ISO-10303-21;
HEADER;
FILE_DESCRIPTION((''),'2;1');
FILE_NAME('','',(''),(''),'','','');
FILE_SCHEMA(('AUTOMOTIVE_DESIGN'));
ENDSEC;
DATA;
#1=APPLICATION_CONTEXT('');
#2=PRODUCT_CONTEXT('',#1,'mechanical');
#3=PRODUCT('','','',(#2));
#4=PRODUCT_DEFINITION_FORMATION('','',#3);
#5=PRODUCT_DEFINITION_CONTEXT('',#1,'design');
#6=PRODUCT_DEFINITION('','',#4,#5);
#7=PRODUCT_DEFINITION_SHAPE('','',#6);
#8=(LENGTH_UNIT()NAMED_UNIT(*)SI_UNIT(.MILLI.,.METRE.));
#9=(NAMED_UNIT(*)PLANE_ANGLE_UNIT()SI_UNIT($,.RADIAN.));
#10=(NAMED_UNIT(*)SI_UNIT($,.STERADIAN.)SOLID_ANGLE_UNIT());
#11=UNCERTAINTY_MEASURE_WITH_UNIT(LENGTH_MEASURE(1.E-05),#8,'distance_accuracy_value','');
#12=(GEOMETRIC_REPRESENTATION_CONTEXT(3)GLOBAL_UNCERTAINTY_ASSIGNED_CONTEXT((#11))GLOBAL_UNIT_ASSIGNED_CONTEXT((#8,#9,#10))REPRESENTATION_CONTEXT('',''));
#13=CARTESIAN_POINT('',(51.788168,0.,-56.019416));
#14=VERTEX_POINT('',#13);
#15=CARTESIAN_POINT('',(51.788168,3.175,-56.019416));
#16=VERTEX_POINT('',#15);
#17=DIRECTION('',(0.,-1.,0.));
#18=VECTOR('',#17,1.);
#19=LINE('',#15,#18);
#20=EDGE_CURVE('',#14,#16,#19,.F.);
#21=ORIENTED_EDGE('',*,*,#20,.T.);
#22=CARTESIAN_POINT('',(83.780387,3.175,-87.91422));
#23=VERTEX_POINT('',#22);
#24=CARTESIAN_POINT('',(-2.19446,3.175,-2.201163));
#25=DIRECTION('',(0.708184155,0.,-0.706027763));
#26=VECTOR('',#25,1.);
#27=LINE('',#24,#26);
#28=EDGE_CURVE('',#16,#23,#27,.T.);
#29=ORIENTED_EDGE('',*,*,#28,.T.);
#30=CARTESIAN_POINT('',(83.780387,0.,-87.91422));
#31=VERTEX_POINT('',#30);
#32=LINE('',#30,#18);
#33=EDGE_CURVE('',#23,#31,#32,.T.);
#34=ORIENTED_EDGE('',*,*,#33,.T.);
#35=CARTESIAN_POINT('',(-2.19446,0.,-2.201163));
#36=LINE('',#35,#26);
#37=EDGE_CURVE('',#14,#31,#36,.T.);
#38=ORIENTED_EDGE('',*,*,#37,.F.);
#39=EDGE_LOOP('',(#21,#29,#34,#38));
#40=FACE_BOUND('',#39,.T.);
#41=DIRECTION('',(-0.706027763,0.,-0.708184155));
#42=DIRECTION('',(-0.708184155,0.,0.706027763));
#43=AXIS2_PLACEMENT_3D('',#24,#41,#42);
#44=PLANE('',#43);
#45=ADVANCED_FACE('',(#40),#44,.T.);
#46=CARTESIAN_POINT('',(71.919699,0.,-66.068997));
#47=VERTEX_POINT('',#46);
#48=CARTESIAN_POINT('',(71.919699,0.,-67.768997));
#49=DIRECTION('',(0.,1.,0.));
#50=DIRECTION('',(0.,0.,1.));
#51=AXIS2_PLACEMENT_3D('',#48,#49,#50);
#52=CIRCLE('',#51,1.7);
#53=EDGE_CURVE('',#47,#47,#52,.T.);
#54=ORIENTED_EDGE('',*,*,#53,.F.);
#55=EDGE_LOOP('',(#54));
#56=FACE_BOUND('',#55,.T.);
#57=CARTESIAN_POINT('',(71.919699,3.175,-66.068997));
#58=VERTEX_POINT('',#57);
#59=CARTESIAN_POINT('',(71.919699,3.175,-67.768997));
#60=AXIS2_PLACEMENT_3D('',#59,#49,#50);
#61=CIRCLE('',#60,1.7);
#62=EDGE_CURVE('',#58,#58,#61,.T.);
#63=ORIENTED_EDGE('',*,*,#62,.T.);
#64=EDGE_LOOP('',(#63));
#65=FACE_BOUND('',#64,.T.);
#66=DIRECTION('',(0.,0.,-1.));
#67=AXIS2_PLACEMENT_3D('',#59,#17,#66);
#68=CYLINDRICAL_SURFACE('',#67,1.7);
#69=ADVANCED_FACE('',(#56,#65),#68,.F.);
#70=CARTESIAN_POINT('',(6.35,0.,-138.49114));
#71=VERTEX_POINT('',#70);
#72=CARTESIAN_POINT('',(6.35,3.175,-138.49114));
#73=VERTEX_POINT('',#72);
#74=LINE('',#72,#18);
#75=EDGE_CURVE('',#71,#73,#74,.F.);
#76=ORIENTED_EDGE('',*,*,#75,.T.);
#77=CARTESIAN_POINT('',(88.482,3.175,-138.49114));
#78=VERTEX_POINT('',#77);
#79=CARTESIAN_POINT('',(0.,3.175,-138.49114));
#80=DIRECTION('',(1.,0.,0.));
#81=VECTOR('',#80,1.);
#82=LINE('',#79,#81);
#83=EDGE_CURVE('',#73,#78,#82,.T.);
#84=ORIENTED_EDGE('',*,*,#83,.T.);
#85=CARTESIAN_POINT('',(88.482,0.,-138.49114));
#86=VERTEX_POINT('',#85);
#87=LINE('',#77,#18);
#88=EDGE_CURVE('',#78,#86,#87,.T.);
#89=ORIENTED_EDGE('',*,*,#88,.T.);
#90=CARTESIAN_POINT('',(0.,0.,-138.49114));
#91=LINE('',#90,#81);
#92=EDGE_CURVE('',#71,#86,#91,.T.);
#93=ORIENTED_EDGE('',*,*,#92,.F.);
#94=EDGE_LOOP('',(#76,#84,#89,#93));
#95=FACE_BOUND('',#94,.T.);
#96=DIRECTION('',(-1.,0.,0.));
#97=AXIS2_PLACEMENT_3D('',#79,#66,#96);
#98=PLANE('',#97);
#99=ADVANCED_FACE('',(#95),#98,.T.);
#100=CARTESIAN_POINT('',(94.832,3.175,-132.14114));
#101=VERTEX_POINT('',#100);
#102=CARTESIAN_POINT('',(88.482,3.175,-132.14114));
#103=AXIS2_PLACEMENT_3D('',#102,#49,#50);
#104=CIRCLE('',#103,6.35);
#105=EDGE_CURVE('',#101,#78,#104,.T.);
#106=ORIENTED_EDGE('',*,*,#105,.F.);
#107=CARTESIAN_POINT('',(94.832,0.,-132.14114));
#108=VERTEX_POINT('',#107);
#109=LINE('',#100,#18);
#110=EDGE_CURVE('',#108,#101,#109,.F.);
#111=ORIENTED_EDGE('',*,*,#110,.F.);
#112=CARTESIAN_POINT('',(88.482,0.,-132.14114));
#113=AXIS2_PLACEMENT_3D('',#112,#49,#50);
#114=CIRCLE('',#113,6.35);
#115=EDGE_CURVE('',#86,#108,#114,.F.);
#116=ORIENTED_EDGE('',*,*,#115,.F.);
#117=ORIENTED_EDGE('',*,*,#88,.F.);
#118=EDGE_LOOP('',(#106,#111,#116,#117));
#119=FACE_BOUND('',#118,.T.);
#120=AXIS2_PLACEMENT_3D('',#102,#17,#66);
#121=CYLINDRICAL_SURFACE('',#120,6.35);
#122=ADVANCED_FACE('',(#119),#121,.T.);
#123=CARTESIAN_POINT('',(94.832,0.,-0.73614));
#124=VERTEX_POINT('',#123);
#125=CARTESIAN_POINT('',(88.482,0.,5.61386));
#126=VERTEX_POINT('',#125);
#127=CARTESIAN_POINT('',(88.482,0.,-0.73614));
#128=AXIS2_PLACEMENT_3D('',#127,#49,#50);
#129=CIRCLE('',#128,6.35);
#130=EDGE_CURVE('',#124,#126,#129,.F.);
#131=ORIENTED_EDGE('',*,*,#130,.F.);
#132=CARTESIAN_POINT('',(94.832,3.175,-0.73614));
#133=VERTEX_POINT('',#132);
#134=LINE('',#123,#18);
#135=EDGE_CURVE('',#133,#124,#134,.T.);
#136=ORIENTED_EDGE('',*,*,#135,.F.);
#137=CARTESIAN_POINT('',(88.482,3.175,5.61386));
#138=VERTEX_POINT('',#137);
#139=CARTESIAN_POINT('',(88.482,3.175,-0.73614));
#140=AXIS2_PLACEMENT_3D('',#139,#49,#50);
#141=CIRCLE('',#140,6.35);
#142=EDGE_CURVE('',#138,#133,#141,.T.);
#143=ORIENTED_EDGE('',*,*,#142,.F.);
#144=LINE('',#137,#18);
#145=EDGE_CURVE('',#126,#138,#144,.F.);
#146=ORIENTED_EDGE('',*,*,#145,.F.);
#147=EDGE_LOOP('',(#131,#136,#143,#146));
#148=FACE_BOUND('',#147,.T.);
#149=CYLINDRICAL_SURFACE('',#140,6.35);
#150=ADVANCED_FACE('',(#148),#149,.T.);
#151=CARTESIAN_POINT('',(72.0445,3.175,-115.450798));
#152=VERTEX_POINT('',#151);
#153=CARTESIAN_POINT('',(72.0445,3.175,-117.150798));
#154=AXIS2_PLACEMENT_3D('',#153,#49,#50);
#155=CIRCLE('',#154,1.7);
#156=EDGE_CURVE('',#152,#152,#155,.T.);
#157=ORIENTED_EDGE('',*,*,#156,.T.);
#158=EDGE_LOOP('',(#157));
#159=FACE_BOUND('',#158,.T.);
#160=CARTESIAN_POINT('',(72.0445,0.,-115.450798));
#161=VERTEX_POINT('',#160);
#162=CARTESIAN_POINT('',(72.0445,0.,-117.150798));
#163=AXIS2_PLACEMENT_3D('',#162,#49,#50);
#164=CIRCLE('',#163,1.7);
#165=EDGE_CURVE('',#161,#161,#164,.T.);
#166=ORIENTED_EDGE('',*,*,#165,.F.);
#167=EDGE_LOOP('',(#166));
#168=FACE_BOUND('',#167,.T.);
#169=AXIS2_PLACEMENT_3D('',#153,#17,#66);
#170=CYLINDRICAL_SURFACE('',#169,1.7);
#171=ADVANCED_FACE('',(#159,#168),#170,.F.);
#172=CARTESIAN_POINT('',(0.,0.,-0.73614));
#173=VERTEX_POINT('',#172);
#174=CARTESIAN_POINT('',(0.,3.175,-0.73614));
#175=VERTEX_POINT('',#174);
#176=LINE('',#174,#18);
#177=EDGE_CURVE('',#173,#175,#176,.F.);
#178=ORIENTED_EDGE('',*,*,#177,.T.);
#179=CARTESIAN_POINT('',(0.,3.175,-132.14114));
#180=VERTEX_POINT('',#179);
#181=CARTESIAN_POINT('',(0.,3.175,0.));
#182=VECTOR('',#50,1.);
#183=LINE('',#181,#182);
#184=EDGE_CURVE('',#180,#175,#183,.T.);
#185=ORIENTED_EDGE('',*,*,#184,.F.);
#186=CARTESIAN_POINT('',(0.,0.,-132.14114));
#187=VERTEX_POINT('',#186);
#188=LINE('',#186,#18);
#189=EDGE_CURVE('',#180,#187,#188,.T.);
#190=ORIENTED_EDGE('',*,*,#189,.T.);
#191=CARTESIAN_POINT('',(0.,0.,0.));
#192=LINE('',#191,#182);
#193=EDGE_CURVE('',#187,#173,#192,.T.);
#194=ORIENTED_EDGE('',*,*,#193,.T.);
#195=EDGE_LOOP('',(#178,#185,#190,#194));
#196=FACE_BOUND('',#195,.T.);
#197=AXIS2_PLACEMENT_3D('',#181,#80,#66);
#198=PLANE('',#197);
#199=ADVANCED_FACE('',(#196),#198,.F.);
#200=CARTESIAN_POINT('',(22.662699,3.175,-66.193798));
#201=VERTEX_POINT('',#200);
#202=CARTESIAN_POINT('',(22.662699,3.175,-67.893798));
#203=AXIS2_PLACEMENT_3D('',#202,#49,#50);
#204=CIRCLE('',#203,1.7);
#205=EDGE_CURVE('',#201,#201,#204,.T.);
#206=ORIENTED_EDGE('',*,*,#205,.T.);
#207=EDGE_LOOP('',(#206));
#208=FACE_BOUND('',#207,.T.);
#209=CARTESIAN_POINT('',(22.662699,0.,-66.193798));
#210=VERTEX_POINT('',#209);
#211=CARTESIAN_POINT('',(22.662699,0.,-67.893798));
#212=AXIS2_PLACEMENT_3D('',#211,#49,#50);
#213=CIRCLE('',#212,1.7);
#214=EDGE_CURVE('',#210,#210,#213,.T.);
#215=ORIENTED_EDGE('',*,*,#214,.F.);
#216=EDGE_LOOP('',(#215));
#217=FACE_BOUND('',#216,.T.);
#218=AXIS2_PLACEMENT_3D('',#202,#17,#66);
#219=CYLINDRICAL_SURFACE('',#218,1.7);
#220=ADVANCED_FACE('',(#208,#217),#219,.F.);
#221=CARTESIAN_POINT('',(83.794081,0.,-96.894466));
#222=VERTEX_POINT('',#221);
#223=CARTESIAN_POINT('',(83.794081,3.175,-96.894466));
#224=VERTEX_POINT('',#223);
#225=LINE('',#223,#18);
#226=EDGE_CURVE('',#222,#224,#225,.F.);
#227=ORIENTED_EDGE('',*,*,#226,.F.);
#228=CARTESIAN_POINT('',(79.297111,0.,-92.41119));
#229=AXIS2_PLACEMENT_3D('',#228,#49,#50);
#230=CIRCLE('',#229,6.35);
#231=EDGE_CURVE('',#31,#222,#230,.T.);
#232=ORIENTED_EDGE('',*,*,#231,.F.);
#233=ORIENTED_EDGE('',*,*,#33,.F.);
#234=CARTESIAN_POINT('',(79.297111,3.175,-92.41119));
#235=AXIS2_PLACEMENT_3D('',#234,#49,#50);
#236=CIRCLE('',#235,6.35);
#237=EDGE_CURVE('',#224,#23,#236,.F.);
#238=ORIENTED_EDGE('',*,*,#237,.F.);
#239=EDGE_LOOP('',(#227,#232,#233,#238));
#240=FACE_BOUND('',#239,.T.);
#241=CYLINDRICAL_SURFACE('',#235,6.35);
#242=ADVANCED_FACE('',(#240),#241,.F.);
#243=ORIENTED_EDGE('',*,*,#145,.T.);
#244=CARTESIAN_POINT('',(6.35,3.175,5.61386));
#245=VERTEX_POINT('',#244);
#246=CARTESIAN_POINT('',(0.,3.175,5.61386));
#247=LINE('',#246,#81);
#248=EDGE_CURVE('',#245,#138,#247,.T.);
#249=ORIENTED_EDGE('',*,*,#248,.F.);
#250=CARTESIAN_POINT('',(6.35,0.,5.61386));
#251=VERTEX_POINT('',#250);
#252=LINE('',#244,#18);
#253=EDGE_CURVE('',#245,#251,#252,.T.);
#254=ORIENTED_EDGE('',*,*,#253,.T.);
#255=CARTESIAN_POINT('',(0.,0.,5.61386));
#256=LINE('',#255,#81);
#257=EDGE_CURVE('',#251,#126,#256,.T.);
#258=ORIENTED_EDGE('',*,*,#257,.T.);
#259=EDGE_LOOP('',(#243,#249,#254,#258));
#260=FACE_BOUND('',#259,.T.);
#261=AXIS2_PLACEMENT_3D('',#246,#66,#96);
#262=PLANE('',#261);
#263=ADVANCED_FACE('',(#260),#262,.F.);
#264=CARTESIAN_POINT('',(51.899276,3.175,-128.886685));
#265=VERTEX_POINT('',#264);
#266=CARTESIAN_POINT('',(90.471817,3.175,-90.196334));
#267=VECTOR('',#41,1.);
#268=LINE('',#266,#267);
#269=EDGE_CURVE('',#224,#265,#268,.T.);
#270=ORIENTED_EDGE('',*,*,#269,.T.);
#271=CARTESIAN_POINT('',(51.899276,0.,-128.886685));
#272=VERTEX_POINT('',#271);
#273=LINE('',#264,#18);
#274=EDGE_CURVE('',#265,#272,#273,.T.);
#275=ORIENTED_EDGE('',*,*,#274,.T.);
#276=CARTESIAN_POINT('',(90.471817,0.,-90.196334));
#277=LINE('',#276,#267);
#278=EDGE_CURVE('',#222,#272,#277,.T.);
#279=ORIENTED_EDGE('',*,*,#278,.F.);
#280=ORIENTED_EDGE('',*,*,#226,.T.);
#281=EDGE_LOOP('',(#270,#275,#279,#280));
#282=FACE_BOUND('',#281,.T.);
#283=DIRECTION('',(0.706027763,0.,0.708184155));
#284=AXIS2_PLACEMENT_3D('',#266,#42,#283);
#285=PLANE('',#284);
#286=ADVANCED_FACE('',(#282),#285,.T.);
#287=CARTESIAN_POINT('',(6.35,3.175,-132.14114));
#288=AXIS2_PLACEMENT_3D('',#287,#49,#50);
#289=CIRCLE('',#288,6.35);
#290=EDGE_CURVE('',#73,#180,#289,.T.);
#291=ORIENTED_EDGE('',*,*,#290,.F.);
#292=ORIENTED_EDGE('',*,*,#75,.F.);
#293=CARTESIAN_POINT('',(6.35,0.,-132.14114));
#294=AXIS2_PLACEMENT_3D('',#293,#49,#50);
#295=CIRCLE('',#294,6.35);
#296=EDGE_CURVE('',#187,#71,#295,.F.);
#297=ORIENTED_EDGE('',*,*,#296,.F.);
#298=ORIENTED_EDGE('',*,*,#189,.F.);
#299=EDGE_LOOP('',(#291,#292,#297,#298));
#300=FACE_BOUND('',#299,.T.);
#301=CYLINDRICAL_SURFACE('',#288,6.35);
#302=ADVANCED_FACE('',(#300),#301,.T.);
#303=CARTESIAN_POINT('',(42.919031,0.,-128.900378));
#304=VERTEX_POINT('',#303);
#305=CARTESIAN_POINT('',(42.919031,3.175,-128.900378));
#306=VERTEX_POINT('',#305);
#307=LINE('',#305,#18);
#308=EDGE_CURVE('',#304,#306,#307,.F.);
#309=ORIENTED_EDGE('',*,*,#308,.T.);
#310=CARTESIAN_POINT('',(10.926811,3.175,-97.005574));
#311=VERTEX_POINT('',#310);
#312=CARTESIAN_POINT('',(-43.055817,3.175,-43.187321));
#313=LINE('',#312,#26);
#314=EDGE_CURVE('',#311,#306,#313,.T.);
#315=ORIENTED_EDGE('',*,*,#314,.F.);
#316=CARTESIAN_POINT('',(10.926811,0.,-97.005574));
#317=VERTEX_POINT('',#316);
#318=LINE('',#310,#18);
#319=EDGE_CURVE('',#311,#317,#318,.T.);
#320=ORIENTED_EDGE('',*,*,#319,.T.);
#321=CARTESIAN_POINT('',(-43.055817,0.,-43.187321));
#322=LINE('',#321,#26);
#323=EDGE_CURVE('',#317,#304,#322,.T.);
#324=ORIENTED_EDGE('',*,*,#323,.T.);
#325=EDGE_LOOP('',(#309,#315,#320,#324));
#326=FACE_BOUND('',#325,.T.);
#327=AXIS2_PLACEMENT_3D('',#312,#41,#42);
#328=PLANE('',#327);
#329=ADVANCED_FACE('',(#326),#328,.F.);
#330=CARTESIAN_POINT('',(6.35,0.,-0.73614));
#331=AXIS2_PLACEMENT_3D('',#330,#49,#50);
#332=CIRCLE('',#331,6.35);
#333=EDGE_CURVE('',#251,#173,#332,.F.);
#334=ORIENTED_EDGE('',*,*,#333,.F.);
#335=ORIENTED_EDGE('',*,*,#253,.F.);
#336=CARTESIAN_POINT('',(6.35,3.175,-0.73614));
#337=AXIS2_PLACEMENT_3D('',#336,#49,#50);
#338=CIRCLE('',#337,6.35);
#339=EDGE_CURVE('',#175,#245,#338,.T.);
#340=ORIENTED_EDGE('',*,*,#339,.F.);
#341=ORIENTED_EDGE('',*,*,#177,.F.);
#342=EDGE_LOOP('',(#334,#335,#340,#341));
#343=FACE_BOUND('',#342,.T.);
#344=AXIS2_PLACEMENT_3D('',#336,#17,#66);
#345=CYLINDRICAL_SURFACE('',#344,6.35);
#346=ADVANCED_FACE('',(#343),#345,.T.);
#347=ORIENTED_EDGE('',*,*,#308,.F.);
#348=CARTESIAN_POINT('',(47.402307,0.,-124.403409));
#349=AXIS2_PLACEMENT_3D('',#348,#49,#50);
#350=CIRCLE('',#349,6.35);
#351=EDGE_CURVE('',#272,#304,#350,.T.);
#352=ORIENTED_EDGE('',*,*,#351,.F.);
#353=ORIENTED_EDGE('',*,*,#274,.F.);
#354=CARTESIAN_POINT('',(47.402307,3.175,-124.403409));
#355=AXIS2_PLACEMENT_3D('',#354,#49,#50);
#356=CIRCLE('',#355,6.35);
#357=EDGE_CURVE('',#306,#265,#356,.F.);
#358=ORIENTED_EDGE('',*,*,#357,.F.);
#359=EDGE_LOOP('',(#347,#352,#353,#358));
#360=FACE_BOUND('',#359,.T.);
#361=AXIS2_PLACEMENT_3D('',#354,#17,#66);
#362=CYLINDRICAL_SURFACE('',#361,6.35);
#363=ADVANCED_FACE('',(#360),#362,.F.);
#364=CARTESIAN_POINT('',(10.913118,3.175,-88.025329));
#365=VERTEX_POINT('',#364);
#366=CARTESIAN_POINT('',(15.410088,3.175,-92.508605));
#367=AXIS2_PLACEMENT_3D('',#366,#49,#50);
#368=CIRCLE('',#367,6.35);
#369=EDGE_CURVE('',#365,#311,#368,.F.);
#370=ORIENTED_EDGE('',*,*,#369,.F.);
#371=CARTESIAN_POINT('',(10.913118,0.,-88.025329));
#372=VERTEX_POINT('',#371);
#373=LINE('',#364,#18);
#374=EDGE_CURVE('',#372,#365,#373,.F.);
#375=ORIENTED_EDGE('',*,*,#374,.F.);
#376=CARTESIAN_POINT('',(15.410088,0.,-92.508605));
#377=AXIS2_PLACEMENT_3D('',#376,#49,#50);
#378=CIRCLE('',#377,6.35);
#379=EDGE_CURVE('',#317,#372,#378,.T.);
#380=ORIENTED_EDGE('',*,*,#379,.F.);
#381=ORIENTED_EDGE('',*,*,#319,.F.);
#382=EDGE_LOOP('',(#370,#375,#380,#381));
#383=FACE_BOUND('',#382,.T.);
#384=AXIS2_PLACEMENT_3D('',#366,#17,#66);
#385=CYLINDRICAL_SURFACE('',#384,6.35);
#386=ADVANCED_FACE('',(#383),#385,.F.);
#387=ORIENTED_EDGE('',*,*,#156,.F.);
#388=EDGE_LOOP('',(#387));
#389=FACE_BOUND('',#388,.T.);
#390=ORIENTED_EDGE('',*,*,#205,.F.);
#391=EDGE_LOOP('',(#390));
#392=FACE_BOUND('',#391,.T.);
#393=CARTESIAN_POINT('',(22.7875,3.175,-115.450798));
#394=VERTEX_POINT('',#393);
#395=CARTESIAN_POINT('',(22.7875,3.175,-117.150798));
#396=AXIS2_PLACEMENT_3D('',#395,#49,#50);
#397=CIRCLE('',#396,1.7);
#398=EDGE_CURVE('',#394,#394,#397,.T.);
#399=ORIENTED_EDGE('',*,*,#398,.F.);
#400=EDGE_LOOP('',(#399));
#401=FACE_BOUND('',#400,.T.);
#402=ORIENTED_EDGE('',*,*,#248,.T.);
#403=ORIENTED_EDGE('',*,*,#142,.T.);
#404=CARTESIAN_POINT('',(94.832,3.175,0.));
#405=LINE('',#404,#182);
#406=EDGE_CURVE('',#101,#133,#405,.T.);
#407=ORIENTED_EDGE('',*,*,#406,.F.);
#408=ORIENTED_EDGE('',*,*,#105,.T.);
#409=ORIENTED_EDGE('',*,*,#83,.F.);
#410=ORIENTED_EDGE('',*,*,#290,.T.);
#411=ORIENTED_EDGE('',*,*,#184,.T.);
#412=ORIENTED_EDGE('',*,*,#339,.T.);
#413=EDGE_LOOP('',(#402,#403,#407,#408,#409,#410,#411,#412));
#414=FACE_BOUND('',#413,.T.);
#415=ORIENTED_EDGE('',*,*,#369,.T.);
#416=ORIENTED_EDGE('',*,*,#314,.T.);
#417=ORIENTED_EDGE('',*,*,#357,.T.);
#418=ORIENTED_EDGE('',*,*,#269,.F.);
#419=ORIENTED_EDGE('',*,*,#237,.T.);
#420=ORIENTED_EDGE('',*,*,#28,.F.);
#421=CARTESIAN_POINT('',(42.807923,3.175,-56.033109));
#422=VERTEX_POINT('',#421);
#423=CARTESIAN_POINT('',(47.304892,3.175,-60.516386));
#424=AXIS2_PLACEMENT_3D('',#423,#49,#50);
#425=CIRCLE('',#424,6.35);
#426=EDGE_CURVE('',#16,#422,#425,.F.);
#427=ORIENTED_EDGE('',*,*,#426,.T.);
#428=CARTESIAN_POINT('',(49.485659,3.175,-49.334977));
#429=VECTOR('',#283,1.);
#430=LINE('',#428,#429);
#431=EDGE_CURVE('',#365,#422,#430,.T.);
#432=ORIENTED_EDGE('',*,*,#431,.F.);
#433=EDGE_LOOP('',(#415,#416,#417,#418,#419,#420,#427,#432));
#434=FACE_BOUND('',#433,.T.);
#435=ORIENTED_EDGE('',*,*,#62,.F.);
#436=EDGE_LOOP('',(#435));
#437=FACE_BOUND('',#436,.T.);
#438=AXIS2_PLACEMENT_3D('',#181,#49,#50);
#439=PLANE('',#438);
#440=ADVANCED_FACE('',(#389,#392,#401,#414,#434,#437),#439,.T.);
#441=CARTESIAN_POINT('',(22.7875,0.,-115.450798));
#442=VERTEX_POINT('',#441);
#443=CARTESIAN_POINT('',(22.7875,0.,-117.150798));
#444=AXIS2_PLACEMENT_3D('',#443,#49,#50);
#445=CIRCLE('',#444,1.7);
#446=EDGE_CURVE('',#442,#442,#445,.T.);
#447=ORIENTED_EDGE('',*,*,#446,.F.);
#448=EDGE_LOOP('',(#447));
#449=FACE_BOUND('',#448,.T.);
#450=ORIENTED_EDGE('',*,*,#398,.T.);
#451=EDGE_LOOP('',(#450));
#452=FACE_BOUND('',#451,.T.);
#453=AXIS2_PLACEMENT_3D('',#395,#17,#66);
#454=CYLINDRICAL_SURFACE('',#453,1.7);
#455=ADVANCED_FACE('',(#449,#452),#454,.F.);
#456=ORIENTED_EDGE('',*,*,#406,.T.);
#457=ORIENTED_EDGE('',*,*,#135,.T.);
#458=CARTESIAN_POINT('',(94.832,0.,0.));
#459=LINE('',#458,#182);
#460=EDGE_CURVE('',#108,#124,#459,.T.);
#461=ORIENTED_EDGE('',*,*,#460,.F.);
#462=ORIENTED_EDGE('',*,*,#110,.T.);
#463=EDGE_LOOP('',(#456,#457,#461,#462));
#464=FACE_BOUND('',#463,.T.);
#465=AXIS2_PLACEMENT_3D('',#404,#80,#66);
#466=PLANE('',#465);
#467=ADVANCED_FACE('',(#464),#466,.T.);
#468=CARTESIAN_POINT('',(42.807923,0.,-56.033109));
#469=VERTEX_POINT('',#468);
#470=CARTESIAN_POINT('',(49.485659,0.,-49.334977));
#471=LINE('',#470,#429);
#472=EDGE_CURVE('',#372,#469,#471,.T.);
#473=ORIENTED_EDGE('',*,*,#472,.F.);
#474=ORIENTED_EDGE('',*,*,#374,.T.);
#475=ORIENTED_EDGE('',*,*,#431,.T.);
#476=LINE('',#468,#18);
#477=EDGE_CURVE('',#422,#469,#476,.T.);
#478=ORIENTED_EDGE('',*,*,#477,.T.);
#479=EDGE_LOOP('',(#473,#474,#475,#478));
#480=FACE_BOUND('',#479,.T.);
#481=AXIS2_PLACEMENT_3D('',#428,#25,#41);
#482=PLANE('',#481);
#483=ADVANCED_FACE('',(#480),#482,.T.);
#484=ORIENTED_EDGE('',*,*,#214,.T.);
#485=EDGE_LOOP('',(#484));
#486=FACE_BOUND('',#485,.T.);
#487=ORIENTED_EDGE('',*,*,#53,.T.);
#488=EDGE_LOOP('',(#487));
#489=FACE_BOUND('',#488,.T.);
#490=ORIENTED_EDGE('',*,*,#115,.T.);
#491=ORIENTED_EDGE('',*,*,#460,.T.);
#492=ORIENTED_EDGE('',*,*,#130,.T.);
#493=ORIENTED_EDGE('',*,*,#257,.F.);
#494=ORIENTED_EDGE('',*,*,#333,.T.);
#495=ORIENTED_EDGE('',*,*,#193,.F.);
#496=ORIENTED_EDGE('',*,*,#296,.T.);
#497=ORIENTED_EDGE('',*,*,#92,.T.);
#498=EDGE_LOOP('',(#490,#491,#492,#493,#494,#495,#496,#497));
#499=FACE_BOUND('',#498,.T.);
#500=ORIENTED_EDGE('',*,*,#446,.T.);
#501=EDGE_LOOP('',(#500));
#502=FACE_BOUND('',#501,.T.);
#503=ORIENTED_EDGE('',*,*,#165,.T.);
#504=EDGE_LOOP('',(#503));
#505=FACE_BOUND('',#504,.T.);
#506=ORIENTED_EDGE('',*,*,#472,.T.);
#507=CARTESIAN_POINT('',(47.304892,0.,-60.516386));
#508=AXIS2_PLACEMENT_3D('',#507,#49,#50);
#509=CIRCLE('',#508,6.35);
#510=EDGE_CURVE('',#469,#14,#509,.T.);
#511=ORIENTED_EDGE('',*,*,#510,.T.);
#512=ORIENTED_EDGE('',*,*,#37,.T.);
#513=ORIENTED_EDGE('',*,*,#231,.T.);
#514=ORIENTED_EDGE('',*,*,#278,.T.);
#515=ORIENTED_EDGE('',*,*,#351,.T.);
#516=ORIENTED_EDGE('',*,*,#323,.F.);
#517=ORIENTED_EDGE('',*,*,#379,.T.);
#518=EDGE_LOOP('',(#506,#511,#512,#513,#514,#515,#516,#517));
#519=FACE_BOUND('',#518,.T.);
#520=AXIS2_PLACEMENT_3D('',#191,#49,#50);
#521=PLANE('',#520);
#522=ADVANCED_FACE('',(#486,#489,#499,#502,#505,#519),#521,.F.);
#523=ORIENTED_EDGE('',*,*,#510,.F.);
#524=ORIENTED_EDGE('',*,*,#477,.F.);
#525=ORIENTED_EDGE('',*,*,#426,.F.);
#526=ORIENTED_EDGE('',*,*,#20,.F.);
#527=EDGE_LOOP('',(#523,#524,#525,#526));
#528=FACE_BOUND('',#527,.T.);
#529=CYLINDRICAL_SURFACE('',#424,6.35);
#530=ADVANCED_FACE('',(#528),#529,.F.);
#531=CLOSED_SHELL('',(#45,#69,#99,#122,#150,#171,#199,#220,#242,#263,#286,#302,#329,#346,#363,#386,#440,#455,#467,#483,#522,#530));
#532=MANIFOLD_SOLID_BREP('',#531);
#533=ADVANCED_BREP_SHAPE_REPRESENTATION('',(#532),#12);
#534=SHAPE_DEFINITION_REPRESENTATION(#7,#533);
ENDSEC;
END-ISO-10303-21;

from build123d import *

# Parameters (mm, degrees)
SKETCH1_W           = 94.832
SKETCH1_H           = 144.105
SKETCH1_R           = 1.7
BOSS_EXTRUDE2_DEPTH = 3.175
FILLET1_R           = 6.35
FILLET2_R           = 6.35


with BuildPart() as part:
    # Sketch1 → Boss-Extrude2 (new body)
    with BuildSketch(Plane(origin=(0, 0, 0), x_dir=(1, 0, 0), z_dir=(0, 1, 0))):
        with Locations((47.416, 66.438639868)):
            Rectangle(SKETCH1_W, SKETCH1_H)
        with Locations(Location((22.7875, 117.150797893, 0), (0, 0, 270))):
            Circle(SKETCH1_R, mode=Mode.SUBTRACT)
        with Locations(Location((72.0445, 117.150797893, 0), (0, 0, 270))):
            Circle(SKETCH1_R, mode=Mode.SUBTRACT)
        with Locations(Location((71.919698828, 67.768996721, 0), (0, 0, 270))):
            Circle(SKETCH1_R, mode=Mode.SUBTRACT)
        with Locations(Location((22.662698828, 67.893797893, 0), (0, 0, 270))):
            Circle(SKETCH1_R, mode=Mode.SUBTRACT)
        Polygon((6.429841975, 92.522297893), (47.416, 133.383654746), (88.277356853, 92.397496721), (47.291198828, 51.536139868), align=None, mode=Mode.SUBTRACT)
    extrude(amount=BOSS_EXTRUDE2_DEPTH)

    # Fillet1
    fillet1_edges = [part.edges().sort_by_distance(p)[0] for p in [
        (47.416, 1.5875, -133.383654746),
        (6.429841975, 1.5875, -92.522297893),
        (47.291198828, 1.5875, -51.536139868),
        (88.277356853, 1.5875, -92.397496721),
    ]]
    fillet(fillet1_edges, radius=FILLET1_R)

    # Fillet2
    fillet2_edges = [part.edges().sort_by_distance(p)[0] for p in [
        (94.832, 1.5875, 5.613860132),
        (0, 1.5875, 5.613860132),
        (0, 1.5875, -138.491139868),
        (94.832, 1.5875, -138.491139868),
    ]]
    fillet(fillet2_edges, radius=FILLET2_R)


solid = part.part
